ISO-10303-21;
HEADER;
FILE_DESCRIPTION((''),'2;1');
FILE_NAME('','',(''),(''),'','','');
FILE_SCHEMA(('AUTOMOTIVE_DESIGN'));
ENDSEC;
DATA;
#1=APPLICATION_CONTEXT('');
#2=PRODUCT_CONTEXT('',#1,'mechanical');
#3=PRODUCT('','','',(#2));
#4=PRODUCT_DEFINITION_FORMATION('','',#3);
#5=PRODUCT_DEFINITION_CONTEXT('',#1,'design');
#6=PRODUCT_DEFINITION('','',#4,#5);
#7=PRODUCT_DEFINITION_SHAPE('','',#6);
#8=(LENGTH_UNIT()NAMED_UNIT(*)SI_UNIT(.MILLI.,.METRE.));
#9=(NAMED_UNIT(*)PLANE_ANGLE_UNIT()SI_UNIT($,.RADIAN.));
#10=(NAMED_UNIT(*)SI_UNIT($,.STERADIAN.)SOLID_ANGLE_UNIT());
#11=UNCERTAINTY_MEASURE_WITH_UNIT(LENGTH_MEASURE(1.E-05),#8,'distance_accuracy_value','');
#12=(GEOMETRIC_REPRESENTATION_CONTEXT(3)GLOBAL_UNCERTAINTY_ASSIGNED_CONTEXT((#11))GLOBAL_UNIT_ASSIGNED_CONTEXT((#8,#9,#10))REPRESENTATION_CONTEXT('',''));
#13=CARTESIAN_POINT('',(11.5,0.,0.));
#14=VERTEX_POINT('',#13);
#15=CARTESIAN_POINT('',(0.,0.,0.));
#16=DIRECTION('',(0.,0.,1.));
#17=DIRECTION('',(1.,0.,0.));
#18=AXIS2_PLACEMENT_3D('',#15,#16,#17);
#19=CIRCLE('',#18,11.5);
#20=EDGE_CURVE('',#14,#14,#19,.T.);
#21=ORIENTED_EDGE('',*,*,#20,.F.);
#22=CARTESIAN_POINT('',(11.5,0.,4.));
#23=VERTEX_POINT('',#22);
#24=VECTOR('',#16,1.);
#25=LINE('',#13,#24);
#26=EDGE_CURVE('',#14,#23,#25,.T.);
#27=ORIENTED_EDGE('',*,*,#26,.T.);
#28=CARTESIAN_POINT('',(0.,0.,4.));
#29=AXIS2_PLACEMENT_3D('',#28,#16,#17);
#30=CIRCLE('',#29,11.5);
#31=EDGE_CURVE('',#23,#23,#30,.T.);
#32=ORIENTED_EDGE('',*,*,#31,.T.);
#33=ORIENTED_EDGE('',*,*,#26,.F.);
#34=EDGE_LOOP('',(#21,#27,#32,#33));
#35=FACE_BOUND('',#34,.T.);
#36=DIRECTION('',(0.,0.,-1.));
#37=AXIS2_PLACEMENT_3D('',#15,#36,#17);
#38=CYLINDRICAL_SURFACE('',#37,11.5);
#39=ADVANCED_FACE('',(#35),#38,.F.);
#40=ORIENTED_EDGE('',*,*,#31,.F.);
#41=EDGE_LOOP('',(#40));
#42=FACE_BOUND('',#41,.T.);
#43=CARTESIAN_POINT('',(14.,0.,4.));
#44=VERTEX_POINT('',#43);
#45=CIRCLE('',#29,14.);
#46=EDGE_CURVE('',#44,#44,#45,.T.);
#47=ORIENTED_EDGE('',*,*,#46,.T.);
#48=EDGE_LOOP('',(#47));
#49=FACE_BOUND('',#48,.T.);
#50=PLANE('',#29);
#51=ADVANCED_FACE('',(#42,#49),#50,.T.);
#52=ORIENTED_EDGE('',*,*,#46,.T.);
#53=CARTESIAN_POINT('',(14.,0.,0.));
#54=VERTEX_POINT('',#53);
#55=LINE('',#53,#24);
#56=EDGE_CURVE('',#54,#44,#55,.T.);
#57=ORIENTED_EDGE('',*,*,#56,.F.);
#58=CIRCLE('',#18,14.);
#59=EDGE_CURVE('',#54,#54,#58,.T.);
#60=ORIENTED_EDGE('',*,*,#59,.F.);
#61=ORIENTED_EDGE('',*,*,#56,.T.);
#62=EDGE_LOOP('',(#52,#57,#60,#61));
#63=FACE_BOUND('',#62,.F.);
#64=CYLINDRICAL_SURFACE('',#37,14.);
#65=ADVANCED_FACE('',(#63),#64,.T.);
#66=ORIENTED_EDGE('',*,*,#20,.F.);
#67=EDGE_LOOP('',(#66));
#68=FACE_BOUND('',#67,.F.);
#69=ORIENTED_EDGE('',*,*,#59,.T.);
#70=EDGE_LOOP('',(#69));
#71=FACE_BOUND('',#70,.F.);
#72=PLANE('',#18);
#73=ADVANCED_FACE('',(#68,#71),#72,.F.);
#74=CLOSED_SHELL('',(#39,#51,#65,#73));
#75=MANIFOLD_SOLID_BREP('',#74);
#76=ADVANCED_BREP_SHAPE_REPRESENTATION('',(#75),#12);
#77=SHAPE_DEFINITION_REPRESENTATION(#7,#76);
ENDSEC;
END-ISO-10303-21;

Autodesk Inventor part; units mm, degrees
ref_plane "YZ Plane" through (0, 0, 0) normal (1, 0, 0) x (0, 1, 0)
ref_plane "XZ Plane" through (0, 0, 0) normal (0, 1, 0) x (-1, 0, 0)
ref_plane "XY Plane" through (0, 0, 0) normal (0, 0, 1) x (1, 0, 0)
sketch "Sketch1" plane through (0, 0, 0) normal (0, 0, 1) x (1, 0, 0)
  circle A0 centre (0, 0) radius 14
  circle A1 centre (0, 0) radius 11.5
  dimension "d0" = 28
  dimension "d1" = 23
extrude "Extrusion1" add sketch "Sketch1" along normal blind 4
properties part number "StopperRing-OD28-ID25-H3mm"
